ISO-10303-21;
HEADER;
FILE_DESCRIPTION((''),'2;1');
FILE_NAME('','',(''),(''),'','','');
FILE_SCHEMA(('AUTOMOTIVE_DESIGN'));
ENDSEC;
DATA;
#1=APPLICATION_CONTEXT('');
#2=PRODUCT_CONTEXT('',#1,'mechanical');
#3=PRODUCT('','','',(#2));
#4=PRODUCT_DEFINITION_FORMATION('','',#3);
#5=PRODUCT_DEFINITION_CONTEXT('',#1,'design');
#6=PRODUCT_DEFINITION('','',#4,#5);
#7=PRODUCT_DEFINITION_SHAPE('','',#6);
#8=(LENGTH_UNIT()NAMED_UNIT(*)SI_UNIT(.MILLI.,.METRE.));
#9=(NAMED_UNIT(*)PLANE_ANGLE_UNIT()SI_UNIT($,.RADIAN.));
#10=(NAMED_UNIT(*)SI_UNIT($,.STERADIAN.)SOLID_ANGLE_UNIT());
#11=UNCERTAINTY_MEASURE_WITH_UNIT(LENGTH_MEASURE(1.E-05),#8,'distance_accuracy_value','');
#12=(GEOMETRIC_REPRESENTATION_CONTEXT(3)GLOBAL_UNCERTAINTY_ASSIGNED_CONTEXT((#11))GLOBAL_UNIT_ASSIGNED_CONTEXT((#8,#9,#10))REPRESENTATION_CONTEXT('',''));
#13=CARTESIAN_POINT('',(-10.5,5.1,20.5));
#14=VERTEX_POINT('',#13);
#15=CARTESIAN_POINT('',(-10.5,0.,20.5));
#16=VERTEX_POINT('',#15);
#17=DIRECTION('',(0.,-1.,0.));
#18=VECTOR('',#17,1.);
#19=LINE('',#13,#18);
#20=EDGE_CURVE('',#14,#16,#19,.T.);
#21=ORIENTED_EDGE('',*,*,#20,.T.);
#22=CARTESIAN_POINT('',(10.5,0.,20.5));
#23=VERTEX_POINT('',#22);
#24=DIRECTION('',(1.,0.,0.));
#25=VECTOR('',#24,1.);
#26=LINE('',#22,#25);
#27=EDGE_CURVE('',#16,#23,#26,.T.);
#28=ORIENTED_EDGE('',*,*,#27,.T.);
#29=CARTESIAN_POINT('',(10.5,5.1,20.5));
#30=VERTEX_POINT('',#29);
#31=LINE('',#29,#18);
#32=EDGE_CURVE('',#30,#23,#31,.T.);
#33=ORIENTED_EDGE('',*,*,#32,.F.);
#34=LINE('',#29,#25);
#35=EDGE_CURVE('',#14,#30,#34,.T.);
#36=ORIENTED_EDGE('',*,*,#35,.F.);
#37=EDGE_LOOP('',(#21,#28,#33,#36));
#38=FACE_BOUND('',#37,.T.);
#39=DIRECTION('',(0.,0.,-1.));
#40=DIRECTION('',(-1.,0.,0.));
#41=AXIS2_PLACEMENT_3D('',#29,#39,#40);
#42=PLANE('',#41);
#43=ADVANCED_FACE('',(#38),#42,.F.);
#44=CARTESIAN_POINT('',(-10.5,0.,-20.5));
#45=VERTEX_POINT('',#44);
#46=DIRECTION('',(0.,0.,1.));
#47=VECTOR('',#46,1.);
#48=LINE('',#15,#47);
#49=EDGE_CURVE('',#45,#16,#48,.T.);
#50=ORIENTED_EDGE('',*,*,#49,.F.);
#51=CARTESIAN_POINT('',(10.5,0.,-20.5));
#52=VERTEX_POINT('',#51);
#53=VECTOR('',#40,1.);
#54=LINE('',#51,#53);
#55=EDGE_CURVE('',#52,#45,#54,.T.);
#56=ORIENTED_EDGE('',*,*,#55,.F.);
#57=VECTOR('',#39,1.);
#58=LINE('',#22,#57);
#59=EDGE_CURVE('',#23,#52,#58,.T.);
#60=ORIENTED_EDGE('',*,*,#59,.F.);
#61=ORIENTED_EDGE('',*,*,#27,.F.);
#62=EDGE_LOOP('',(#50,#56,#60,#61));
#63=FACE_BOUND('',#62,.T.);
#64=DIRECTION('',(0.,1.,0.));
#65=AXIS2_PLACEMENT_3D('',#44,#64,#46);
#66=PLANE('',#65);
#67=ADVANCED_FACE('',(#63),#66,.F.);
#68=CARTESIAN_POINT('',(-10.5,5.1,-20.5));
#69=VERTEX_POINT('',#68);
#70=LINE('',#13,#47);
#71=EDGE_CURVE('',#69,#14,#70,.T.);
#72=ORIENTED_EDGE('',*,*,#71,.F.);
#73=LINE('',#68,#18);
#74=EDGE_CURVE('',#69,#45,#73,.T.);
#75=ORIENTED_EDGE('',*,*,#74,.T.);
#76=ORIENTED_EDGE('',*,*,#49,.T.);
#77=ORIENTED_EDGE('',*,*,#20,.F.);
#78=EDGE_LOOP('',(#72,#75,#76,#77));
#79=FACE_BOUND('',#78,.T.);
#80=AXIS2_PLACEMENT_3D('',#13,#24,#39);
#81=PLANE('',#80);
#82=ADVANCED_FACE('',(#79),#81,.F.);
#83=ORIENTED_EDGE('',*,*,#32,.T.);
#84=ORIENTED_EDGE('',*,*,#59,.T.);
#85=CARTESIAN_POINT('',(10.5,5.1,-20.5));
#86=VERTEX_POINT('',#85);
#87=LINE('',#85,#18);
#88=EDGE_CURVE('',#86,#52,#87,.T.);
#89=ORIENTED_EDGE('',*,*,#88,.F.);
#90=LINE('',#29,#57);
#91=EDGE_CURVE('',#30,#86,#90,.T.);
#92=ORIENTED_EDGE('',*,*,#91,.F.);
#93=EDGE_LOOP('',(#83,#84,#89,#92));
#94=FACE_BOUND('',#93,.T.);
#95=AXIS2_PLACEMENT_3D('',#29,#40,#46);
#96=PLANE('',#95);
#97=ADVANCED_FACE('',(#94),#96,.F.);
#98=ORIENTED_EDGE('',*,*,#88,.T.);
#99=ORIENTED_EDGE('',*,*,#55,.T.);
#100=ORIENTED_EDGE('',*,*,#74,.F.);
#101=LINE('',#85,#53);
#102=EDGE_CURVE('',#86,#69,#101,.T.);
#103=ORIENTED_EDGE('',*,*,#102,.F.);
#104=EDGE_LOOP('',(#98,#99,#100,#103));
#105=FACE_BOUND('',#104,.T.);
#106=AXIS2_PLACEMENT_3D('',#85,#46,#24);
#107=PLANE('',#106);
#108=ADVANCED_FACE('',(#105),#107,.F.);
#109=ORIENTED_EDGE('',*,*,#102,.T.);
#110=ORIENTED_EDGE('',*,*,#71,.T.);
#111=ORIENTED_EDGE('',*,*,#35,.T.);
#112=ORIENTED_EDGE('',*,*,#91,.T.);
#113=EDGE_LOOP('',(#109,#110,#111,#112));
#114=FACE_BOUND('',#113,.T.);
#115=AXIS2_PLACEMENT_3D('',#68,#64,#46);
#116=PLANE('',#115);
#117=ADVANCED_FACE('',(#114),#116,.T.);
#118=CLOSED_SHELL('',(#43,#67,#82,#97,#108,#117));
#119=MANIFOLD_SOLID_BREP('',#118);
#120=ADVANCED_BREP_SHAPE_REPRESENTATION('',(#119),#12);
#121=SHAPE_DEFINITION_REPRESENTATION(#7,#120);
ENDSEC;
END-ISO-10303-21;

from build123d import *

# Parameters (mm, degrees)
SKETCH1_W           = 21
SKETCH1_H           = 41
BOSS_EXTRUDE1_DEPTH = 5.1


with BuildPart() as part:
    # Sketch1 → Boss-Extrude1 (new body)
    with BuildSketch(Plane(origin=(0, 0, 0), x_dir=(1, 0, 0), z_dir=(0, 1, 0))):
        Rectangle(SKETCH1_W, SKETCH1_H)
    extrude(amount=BOSS_EXTRUDE1_DEPTH)


solid = part.part
